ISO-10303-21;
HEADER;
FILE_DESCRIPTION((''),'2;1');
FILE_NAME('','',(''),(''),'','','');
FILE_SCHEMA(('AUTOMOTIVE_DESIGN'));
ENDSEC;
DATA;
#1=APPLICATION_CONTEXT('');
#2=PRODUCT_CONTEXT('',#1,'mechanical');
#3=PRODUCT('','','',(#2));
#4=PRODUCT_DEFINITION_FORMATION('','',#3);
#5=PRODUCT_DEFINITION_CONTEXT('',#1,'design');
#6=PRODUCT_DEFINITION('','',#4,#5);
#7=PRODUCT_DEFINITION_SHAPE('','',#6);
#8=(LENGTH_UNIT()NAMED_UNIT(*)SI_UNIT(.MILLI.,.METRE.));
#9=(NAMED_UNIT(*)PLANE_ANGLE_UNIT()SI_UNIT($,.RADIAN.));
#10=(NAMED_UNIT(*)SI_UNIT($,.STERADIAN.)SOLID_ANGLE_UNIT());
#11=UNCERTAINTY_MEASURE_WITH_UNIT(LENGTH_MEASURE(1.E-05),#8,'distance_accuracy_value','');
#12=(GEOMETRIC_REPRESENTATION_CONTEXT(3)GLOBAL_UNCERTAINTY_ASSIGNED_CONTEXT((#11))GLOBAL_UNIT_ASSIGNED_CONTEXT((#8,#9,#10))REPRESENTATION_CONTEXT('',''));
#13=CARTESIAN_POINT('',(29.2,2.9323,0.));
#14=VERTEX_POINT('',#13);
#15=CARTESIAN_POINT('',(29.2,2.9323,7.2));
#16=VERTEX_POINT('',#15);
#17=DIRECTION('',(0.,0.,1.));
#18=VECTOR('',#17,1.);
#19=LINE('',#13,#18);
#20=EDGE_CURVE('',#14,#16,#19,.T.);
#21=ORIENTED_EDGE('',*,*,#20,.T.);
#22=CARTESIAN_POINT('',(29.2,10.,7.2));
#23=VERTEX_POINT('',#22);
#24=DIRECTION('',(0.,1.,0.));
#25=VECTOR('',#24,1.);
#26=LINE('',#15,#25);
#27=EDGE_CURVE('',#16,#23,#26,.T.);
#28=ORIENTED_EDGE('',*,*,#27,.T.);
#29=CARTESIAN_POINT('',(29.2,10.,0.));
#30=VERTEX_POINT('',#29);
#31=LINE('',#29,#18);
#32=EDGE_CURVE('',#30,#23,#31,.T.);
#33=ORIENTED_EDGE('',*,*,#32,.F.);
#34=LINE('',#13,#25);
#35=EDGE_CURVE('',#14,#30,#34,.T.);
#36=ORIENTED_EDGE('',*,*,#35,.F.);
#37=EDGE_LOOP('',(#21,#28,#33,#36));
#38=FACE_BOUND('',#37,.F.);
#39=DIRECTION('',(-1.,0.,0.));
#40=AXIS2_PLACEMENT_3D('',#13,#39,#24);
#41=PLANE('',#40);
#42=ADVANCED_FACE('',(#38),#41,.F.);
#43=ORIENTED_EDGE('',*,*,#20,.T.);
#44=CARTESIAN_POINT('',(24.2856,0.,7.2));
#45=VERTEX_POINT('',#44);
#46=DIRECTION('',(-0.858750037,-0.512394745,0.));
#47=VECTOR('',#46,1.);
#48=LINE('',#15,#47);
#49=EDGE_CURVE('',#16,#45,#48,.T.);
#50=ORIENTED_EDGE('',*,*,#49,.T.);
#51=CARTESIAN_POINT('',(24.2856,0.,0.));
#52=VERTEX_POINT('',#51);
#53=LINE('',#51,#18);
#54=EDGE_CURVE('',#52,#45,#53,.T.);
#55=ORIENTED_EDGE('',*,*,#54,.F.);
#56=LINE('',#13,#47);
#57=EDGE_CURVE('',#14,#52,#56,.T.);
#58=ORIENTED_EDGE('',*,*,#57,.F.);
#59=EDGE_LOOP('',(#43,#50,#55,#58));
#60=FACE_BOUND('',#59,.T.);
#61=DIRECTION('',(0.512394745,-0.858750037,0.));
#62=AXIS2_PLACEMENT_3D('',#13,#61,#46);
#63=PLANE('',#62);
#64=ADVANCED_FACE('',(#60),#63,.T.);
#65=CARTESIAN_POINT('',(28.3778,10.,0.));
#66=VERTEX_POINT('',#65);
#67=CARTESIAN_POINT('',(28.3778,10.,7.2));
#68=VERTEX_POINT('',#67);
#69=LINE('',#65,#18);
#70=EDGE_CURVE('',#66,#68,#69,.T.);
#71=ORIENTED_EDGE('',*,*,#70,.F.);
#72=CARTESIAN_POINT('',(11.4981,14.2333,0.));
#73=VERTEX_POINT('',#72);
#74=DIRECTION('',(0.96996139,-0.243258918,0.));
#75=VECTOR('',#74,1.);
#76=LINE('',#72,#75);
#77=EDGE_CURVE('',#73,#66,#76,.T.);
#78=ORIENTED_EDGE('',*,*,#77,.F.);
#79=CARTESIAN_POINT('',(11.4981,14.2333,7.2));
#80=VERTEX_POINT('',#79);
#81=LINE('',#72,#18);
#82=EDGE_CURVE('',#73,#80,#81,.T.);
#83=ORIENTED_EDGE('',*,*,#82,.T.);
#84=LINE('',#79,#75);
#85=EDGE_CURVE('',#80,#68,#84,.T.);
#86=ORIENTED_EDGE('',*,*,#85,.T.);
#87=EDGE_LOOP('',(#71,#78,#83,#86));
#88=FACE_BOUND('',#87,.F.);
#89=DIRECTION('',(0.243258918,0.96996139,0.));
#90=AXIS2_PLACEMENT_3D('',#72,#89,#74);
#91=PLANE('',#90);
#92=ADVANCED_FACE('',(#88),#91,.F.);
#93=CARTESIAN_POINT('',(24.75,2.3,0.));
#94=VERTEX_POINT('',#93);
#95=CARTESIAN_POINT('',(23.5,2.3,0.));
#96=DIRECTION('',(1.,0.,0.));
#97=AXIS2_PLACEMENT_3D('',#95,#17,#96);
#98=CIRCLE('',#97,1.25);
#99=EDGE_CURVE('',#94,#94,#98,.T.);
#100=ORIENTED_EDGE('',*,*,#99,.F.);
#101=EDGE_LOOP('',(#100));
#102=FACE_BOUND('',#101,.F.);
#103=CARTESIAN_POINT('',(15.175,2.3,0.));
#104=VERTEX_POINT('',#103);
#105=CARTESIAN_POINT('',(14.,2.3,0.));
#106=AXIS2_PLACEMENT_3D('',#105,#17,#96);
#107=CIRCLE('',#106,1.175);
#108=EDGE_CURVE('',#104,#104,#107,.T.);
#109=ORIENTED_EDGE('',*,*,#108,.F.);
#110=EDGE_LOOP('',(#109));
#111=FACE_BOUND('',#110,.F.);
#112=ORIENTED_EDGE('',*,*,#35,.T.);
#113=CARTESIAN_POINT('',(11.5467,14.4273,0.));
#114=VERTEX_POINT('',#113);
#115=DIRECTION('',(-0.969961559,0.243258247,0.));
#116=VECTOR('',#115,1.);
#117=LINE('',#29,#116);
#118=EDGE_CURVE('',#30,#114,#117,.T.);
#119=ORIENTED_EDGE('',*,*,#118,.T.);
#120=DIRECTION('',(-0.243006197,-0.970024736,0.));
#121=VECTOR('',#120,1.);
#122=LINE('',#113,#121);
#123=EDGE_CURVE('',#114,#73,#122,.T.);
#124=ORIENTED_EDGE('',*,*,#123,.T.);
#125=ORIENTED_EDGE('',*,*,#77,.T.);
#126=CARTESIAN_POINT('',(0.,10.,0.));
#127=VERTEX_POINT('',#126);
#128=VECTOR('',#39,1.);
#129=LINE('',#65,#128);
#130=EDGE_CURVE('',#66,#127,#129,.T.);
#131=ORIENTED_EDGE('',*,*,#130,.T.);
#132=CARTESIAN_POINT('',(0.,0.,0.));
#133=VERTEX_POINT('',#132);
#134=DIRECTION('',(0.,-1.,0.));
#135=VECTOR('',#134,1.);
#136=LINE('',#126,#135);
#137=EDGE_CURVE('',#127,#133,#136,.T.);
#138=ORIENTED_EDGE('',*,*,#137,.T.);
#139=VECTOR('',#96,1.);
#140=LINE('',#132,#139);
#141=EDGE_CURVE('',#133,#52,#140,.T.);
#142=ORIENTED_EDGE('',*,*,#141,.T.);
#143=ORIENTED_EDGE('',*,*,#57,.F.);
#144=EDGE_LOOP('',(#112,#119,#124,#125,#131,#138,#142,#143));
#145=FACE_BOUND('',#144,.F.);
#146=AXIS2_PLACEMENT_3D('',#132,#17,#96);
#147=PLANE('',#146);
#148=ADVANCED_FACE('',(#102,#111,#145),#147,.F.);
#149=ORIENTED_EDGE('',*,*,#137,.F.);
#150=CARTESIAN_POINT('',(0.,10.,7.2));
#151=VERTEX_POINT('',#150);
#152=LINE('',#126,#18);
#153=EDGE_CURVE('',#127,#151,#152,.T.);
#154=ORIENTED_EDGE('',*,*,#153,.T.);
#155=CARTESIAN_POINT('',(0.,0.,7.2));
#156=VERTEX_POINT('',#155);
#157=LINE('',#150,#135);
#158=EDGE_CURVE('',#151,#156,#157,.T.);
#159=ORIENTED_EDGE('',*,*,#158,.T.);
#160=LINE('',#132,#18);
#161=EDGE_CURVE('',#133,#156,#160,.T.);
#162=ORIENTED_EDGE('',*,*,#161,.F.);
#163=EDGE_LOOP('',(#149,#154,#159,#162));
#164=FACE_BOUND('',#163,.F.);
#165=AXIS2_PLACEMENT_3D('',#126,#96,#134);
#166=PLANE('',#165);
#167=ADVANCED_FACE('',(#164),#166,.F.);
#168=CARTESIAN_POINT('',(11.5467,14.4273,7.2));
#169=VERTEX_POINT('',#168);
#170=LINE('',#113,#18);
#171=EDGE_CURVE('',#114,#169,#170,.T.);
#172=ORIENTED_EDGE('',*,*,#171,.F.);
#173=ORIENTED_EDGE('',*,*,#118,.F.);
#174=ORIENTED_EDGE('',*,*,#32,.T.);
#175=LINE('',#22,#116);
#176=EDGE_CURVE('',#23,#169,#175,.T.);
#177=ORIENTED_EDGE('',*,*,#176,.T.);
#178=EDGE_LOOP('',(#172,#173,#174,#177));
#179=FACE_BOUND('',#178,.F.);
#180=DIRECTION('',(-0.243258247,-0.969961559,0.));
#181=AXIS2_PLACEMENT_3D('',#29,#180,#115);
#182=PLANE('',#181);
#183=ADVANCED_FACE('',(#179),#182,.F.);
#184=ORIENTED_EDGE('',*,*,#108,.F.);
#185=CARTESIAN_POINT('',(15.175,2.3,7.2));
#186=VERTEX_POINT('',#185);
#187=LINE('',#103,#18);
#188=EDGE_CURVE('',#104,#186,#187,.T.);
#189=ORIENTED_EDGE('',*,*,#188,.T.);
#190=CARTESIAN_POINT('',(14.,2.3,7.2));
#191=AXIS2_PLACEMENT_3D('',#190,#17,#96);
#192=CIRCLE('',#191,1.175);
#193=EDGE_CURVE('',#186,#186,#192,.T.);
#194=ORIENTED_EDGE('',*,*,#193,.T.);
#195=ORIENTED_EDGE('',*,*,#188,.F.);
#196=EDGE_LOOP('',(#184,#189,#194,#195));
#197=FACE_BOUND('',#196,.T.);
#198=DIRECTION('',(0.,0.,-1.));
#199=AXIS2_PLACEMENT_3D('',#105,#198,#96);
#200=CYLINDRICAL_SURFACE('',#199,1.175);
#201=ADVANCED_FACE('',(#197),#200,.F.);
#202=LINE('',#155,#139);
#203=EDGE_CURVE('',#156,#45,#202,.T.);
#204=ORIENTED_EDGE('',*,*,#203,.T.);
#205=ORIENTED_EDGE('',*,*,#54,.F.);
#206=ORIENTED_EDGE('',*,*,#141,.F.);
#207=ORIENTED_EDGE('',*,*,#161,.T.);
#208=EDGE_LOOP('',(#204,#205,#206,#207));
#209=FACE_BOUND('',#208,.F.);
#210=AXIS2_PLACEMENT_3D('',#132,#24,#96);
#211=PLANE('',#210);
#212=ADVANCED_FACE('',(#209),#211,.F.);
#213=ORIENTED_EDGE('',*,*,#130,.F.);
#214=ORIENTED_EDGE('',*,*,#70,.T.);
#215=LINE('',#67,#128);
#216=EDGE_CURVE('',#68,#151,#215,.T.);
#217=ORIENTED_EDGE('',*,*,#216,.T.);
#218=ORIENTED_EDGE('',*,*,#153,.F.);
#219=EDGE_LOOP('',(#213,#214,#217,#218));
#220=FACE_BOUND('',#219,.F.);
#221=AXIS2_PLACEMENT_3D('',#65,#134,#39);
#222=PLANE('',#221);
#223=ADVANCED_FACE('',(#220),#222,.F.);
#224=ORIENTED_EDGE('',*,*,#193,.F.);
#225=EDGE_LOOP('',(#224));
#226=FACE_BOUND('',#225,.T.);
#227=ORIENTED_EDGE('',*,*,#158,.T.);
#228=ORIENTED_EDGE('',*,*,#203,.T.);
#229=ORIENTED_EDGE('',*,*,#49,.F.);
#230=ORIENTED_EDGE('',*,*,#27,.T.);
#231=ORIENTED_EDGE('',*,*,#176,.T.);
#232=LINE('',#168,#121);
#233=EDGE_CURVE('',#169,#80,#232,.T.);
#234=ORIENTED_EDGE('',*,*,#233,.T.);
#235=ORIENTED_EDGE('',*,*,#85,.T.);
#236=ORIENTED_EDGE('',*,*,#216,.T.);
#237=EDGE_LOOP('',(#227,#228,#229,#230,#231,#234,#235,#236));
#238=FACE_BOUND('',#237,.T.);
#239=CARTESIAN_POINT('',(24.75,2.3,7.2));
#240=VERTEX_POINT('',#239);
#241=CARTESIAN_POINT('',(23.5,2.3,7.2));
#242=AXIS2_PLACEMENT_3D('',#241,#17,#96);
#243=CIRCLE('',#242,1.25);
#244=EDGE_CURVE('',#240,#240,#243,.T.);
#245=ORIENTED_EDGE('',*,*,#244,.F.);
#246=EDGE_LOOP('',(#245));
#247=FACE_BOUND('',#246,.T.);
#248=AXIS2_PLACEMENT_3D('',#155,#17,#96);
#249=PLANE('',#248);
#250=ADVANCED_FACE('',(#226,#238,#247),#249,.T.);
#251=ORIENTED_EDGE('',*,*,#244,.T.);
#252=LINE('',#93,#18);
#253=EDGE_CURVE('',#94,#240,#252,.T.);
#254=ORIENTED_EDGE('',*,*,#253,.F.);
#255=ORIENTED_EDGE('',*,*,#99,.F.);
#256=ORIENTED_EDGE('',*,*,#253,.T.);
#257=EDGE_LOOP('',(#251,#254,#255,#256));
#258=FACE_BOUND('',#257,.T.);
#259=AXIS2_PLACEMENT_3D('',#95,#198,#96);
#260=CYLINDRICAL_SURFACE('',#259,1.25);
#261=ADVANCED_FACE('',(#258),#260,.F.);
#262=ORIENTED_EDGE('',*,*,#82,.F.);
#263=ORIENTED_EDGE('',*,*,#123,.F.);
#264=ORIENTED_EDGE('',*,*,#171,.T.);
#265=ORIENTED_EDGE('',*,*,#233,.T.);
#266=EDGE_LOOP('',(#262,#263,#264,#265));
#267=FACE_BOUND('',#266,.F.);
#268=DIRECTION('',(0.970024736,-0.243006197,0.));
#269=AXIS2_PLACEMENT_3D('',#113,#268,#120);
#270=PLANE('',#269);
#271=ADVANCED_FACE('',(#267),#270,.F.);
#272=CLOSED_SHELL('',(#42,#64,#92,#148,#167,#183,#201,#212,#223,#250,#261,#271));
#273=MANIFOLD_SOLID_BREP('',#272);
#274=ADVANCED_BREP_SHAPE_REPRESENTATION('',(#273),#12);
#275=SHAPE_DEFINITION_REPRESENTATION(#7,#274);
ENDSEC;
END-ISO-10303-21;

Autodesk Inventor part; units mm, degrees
ref_plane "YZ Plane" through (0, 0, 0) normal (1, 0, 0) x (0, 1, 0)
ref_plane "XZ Plane" through (0, 0, 0) normal (0, 1, 0) x (-1, 0, 0)
ref_plane "XY Plane" through (0, 0, 0) normal (0, 0, 1) x (1, 0, 0)
sketch "スケッチ1" plane through (0, 0, 0) normal (0, 0, 1) x (1, 0, 0)
  line L0 (0, 0) -> (24.2856, 0)
  line L1 (29.2, 2.9323) -> (29.2, 10)
  line L2 (28.3778, 10) -> (0, 10)
  line L3 (0, 10) -> (0, 0)
  circle A0 centre (23.5, 2.3) radius 1.25
  circle A1 centre (14, 2.3) radius 1.175
  line L4 (29.2, 2.9323) -> (24.2856, 0)
  line L5 (29.2, 10) -> (11.5467, 14.4273)
  line L6 (11.5467, 14.4273) -> (11.4981, 14.2333)
  line L7 (11.4981, 14.2333) -> (28.3778, 10)
  dimension "d2" = 2.5
  dimension "d3" = 2.35
  dimension "d4" = 18.2
  dimension "d5" = 0.2
extrude "押し出し1" add sketch "スケッチ1" along normal blind 7.2
properties part number "microswitch" material "ABS プラスチック"
